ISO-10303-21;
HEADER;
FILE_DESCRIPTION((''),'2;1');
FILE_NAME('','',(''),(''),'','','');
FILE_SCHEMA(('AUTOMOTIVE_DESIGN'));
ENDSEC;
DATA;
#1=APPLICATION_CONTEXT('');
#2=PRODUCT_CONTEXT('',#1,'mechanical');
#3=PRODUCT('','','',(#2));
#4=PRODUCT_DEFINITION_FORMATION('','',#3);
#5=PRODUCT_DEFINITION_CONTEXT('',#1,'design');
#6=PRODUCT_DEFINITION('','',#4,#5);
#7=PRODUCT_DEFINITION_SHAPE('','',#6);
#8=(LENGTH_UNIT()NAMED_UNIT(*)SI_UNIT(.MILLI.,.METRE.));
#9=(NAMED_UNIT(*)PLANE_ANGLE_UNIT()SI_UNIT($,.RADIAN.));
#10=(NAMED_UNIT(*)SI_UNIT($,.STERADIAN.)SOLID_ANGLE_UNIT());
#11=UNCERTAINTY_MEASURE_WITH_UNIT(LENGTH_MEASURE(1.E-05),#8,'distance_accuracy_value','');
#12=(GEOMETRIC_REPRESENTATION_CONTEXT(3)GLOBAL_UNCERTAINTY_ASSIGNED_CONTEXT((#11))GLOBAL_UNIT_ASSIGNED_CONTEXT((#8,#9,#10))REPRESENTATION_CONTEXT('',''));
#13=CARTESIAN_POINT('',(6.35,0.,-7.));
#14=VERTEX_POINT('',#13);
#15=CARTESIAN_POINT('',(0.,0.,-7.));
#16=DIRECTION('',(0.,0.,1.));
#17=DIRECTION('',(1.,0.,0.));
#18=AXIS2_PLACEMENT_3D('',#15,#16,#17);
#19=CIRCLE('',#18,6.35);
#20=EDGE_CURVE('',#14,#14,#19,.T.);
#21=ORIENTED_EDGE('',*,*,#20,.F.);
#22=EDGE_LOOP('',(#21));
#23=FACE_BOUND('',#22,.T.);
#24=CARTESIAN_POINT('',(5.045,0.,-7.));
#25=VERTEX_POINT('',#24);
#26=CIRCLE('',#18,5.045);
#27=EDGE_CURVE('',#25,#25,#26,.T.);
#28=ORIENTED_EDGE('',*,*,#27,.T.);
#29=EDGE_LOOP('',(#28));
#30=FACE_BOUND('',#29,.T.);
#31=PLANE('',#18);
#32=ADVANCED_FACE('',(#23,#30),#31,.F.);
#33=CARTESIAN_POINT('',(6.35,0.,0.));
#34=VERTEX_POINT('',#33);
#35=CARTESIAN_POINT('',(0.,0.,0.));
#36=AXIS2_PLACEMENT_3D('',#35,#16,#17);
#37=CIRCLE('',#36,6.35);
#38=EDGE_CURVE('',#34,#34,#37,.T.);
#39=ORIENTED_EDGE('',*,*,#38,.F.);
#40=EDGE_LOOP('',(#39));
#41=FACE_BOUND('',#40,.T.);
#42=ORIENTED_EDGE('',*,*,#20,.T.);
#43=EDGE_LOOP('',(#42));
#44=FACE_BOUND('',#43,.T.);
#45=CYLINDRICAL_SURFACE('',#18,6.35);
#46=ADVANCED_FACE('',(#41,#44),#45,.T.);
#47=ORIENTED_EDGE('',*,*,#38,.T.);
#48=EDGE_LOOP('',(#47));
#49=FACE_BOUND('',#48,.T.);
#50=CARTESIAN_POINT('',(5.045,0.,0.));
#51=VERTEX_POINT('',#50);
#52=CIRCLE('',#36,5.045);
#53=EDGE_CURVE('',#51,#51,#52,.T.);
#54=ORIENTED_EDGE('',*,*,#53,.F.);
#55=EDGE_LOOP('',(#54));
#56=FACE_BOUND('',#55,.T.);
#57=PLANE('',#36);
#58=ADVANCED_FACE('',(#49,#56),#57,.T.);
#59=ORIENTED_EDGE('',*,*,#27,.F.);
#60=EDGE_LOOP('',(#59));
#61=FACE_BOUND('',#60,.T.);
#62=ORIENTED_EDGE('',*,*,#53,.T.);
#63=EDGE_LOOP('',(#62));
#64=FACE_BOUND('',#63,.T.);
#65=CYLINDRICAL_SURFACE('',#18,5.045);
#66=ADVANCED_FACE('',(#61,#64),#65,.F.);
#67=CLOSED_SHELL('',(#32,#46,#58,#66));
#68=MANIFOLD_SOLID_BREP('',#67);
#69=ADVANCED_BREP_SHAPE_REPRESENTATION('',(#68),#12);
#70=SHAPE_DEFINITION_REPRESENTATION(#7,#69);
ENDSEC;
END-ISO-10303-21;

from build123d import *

# Parameters (mm, degrees)
SKETCH1_R      = 6.35
SKETCH1_R_2    = 5.045
EXTRUDE1_DEPTH = 7


with BuildPart() as part:
    # Sketch1 → Extrude1 (new body)
    with BuildSketch(Plane.XY):
        Circle(SKETCH1_R)
        Circle(SKETCH1_R_2, mode=Mode.SUBTRACT)
    extrude(amount=-EXTRUDE1_DEPTH)


solid = part.part
